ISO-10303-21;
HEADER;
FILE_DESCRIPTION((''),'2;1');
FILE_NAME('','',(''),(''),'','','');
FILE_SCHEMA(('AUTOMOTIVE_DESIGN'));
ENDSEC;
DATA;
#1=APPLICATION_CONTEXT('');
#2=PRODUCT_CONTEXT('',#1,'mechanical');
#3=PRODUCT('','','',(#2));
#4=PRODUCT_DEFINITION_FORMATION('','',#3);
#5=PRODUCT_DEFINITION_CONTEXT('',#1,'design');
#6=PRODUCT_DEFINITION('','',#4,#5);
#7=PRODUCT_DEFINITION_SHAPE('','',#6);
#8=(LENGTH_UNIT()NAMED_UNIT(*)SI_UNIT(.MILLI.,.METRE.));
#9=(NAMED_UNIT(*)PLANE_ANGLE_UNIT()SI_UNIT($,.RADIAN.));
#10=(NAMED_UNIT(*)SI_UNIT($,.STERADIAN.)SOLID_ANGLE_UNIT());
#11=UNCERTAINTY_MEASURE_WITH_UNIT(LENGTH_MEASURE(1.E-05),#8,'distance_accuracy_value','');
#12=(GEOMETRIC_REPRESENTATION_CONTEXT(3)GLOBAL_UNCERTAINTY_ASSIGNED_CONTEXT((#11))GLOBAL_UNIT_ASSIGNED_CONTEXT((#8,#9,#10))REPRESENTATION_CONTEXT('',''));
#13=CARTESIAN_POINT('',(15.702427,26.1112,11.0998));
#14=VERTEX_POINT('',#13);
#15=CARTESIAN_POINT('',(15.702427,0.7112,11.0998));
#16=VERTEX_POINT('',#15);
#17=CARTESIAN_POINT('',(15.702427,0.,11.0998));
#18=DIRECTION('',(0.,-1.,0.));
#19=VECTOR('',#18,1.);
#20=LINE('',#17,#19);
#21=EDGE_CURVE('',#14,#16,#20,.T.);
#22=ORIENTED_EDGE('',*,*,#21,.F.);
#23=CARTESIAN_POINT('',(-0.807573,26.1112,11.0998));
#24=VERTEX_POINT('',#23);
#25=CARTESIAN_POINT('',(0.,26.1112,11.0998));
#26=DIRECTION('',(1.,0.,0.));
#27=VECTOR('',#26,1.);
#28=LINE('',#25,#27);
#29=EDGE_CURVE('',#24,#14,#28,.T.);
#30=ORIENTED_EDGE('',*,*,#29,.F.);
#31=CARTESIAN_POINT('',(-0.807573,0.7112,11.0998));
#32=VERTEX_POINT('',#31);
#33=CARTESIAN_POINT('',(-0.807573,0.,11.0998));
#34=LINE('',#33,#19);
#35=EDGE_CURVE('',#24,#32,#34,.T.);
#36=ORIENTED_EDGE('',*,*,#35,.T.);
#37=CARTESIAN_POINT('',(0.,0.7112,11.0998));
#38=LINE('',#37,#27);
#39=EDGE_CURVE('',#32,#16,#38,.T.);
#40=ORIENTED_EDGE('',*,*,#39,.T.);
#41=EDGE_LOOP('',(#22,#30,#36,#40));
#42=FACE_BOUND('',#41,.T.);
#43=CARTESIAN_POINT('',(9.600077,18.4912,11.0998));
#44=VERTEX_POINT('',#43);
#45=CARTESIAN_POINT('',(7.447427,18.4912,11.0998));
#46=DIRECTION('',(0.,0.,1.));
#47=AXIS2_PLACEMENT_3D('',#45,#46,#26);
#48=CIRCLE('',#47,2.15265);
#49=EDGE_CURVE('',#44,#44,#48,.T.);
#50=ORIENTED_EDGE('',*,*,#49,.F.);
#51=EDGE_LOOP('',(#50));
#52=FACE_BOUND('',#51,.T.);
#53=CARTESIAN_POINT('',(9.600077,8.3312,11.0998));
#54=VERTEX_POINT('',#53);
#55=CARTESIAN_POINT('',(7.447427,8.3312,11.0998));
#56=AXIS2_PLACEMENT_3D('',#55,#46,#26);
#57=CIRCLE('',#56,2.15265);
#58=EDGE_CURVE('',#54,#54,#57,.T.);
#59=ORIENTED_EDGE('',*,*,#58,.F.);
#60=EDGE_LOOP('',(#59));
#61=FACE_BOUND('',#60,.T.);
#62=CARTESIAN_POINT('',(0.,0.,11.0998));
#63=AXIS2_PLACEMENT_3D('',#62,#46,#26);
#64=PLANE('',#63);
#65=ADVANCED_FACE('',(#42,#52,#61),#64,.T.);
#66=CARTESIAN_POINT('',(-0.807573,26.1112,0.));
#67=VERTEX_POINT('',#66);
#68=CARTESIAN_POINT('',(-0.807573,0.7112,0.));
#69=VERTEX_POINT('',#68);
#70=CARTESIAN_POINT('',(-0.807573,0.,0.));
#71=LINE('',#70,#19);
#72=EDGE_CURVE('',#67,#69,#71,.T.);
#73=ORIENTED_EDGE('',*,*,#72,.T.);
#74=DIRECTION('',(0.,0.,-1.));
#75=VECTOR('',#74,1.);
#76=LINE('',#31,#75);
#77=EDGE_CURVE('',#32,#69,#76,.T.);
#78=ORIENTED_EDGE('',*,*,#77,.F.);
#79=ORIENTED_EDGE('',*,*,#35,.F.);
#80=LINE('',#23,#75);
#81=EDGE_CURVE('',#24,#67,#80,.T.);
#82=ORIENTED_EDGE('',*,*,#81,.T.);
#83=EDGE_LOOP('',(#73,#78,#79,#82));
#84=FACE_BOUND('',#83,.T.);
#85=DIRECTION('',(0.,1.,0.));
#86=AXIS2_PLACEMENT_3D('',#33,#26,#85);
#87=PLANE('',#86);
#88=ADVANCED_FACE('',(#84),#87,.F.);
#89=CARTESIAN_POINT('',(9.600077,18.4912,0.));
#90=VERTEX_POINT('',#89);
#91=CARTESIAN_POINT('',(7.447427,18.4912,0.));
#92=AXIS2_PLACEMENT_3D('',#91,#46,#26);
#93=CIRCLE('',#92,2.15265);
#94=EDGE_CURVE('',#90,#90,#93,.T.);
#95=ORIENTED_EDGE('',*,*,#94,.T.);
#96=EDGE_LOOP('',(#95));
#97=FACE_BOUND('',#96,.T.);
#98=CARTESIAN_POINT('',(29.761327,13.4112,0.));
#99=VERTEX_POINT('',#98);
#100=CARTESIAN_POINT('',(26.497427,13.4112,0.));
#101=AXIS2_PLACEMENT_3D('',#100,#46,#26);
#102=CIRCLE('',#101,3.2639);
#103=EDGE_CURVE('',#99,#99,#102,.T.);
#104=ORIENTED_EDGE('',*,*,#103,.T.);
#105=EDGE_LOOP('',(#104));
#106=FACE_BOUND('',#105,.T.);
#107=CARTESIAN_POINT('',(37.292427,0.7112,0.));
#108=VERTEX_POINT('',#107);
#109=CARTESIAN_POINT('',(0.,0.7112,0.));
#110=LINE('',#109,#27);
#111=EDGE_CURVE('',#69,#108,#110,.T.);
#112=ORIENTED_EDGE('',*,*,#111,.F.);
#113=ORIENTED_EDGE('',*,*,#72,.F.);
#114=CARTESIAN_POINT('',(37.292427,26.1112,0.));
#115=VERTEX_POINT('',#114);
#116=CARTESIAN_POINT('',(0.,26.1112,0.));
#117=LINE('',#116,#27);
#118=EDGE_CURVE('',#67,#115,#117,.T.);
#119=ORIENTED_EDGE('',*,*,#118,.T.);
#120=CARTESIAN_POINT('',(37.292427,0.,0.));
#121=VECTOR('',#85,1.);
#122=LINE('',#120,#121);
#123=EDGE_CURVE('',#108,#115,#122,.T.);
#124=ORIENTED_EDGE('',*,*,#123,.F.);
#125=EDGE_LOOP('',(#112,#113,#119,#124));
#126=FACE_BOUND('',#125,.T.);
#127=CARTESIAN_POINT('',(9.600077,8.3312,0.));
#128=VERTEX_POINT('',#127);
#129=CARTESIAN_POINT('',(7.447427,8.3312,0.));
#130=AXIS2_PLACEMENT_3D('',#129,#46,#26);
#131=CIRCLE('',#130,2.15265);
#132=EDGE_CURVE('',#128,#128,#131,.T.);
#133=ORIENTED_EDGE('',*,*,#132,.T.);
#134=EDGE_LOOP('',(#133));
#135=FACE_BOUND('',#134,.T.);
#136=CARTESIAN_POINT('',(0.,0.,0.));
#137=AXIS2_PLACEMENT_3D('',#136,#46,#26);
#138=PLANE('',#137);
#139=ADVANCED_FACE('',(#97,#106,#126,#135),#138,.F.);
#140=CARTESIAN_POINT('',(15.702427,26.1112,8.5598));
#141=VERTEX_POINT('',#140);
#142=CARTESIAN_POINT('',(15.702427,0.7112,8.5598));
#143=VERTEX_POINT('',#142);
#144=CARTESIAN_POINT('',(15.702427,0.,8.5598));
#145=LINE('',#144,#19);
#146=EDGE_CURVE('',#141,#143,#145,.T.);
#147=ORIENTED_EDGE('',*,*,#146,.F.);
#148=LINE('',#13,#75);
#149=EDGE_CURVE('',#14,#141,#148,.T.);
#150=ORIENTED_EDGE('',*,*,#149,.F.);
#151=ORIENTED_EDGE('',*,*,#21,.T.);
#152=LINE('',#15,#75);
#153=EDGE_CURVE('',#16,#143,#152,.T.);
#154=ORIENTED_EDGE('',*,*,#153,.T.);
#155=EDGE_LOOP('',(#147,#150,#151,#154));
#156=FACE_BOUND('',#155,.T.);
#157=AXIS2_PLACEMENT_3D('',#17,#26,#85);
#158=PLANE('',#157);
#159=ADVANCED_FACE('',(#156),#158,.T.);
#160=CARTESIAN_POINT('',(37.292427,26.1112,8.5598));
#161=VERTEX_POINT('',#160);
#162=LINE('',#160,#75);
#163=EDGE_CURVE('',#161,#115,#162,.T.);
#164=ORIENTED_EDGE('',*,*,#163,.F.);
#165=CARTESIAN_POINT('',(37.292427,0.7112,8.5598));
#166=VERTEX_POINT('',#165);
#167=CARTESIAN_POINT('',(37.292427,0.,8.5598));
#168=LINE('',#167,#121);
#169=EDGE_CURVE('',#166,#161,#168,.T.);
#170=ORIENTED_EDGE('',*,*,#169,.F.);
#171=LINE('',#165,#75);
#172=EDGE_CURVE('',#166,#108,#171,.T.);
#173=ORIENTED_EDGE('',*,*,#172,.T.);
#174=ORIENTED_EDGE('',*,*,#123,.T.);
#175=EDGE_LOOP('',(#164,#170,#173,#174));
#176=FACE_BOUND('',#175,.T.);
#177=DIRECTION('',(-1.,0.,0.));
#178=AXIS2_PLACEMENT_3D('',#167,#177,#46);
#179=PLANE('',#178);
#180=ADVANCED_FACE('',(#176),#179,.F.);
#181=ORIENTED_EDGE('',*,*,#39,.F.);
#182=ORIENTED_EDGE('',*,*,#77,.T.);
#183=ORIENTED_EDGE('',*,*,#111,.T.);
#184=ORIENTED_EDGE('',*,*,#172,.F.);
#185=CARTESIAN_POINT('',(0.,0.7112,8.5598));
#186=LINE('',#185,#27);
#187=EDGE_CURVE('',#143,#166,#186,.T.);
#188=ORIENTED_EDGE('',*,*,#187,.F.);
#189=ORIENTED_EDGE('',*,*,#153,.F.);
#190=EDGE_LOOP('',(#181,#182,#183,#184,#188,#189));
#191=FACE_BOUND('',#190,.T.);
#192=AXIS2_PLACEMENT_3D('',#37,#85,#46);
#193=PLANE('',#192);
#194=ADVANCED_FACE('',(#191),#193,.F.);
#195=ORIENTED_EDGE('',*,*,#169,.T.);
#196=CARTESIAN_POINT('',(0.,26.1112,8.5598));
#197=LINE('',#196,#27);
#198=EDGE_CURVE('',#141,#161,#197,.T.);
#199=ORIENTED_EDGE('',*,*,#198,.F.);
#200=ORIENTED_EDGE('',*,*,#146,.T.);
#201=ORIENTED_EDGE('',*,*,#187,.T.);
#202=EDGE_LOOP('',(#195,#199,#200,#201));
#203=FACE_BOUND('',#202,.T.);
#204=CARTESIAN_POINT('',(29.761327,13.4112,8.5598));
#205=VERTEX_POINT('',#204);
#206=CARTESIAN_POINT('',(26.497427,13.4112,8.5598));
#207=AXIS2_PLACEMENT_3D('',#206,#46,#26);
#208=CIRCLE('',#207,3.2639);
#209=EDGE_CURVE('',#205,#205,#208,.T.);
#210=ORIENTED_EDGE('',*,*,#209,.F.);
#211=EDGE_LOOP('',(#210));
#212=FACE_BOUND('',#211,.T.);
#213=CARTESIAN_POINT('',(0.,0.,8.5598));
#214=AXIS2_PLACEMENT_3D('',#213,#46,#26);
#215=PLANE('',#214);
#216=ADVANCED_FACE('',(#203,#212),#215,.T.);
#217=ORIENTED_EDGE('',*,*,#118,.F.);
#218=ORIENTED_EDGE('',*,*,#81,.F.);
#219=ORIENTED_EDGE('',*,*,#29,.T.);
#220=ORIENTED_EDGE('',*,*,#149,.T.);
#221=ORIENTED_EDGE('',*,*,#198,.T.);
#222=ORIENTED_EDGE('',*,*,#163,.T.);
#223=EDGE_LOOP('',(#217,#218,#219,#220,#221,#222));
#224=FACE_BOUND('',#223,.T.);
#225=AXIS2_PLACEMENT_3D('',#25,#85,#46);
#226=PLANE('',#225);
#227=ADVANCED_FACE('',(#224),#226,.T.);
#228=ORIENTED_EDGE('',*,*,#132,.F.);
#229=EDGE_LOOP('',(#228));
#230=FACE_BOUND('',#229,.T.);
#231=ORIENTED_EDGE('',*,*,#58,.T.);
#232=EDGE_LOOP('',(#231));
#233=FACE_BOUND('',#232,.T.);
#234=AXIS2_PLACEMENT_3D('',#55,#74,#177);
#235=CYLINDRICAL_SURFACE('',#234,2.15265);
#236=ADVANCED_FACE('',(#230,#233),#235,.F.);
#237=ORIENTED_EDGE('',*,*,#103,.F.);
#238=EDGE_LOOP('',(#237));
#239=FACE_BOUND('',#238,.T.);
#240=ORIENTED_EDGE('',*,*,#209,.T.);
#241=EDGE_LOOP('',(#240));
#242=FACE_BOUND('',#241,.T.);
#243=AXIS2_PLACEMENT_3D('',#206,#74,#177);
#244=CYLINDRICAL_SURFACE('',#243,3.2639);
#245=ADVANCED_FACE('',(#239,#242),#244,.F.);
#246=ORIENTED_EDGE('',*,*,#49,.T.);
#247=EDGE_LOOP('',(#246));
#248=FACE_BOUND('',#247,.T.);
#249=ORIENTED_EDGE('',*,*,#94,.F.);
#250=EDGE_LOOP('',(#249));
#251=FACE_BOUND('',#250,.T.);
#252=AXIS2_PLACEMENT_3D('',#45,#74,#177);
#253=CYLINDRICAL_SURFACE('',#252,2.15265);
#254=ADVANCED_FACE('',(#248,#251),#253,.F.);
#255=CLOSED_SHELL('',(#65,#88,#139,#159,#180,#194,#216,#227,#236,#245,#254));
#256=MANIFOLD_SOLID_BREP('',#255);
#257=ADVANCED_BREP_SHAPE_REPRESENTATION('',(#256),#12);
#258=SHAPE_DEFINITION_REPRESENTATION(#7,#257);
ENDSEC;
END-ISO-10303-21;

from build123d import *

# Parameters (mm, degrees)
SKETCH1_W           = 16.51
SKETCH1_H           = 25.4
SKETCH1_R           = 2.15265
BOSS_EXTRUDE1_DEPTH = 11.0998
SKETCH1_3_W         = 21.59
SKETCH1_3_H         = 25.4
SKETCH1_3_R         = 3.2639
BOSS_EXTRUDE2_DEPTH = 8.5598


with BuildPart() as part:
    # Sketch1 → Boss-Extrude1 (new body)
    with BuildSketch(Plane.XY):
        with Locations((7.447427401, 13.4112)):
            Rectangle(SKETCH1_W, SKETCH1_H)
        with Locations((7.447427401, 8.3312)):
            Circle(SKETCH1_R, mode=Mode.SUBTRACT)
        with Locations((7.447427401, 18.4912)):
            Circle(SKETCH1_R, mode=Mode.SUBTRACT)
    extrude(amount=BOSS_EXTRUDE1_DEPTH)

    # Sketch1<3> → Boss-Extrude2 (add)
    with BuildSketch(Plane.XY):
        with Locations((26.497427401, 13.4112)):
            Rectangle(SKETCH1_3_W, SKETCH1_3_H)
        with Locations((26.497427401, 13.4112)):
            Circle(SKETCH1_3_R, mode=Mode.SUBTRACT)
    extrude(amount=BOSS_EXTRUDE2_DEPTH)


solid = part.part
